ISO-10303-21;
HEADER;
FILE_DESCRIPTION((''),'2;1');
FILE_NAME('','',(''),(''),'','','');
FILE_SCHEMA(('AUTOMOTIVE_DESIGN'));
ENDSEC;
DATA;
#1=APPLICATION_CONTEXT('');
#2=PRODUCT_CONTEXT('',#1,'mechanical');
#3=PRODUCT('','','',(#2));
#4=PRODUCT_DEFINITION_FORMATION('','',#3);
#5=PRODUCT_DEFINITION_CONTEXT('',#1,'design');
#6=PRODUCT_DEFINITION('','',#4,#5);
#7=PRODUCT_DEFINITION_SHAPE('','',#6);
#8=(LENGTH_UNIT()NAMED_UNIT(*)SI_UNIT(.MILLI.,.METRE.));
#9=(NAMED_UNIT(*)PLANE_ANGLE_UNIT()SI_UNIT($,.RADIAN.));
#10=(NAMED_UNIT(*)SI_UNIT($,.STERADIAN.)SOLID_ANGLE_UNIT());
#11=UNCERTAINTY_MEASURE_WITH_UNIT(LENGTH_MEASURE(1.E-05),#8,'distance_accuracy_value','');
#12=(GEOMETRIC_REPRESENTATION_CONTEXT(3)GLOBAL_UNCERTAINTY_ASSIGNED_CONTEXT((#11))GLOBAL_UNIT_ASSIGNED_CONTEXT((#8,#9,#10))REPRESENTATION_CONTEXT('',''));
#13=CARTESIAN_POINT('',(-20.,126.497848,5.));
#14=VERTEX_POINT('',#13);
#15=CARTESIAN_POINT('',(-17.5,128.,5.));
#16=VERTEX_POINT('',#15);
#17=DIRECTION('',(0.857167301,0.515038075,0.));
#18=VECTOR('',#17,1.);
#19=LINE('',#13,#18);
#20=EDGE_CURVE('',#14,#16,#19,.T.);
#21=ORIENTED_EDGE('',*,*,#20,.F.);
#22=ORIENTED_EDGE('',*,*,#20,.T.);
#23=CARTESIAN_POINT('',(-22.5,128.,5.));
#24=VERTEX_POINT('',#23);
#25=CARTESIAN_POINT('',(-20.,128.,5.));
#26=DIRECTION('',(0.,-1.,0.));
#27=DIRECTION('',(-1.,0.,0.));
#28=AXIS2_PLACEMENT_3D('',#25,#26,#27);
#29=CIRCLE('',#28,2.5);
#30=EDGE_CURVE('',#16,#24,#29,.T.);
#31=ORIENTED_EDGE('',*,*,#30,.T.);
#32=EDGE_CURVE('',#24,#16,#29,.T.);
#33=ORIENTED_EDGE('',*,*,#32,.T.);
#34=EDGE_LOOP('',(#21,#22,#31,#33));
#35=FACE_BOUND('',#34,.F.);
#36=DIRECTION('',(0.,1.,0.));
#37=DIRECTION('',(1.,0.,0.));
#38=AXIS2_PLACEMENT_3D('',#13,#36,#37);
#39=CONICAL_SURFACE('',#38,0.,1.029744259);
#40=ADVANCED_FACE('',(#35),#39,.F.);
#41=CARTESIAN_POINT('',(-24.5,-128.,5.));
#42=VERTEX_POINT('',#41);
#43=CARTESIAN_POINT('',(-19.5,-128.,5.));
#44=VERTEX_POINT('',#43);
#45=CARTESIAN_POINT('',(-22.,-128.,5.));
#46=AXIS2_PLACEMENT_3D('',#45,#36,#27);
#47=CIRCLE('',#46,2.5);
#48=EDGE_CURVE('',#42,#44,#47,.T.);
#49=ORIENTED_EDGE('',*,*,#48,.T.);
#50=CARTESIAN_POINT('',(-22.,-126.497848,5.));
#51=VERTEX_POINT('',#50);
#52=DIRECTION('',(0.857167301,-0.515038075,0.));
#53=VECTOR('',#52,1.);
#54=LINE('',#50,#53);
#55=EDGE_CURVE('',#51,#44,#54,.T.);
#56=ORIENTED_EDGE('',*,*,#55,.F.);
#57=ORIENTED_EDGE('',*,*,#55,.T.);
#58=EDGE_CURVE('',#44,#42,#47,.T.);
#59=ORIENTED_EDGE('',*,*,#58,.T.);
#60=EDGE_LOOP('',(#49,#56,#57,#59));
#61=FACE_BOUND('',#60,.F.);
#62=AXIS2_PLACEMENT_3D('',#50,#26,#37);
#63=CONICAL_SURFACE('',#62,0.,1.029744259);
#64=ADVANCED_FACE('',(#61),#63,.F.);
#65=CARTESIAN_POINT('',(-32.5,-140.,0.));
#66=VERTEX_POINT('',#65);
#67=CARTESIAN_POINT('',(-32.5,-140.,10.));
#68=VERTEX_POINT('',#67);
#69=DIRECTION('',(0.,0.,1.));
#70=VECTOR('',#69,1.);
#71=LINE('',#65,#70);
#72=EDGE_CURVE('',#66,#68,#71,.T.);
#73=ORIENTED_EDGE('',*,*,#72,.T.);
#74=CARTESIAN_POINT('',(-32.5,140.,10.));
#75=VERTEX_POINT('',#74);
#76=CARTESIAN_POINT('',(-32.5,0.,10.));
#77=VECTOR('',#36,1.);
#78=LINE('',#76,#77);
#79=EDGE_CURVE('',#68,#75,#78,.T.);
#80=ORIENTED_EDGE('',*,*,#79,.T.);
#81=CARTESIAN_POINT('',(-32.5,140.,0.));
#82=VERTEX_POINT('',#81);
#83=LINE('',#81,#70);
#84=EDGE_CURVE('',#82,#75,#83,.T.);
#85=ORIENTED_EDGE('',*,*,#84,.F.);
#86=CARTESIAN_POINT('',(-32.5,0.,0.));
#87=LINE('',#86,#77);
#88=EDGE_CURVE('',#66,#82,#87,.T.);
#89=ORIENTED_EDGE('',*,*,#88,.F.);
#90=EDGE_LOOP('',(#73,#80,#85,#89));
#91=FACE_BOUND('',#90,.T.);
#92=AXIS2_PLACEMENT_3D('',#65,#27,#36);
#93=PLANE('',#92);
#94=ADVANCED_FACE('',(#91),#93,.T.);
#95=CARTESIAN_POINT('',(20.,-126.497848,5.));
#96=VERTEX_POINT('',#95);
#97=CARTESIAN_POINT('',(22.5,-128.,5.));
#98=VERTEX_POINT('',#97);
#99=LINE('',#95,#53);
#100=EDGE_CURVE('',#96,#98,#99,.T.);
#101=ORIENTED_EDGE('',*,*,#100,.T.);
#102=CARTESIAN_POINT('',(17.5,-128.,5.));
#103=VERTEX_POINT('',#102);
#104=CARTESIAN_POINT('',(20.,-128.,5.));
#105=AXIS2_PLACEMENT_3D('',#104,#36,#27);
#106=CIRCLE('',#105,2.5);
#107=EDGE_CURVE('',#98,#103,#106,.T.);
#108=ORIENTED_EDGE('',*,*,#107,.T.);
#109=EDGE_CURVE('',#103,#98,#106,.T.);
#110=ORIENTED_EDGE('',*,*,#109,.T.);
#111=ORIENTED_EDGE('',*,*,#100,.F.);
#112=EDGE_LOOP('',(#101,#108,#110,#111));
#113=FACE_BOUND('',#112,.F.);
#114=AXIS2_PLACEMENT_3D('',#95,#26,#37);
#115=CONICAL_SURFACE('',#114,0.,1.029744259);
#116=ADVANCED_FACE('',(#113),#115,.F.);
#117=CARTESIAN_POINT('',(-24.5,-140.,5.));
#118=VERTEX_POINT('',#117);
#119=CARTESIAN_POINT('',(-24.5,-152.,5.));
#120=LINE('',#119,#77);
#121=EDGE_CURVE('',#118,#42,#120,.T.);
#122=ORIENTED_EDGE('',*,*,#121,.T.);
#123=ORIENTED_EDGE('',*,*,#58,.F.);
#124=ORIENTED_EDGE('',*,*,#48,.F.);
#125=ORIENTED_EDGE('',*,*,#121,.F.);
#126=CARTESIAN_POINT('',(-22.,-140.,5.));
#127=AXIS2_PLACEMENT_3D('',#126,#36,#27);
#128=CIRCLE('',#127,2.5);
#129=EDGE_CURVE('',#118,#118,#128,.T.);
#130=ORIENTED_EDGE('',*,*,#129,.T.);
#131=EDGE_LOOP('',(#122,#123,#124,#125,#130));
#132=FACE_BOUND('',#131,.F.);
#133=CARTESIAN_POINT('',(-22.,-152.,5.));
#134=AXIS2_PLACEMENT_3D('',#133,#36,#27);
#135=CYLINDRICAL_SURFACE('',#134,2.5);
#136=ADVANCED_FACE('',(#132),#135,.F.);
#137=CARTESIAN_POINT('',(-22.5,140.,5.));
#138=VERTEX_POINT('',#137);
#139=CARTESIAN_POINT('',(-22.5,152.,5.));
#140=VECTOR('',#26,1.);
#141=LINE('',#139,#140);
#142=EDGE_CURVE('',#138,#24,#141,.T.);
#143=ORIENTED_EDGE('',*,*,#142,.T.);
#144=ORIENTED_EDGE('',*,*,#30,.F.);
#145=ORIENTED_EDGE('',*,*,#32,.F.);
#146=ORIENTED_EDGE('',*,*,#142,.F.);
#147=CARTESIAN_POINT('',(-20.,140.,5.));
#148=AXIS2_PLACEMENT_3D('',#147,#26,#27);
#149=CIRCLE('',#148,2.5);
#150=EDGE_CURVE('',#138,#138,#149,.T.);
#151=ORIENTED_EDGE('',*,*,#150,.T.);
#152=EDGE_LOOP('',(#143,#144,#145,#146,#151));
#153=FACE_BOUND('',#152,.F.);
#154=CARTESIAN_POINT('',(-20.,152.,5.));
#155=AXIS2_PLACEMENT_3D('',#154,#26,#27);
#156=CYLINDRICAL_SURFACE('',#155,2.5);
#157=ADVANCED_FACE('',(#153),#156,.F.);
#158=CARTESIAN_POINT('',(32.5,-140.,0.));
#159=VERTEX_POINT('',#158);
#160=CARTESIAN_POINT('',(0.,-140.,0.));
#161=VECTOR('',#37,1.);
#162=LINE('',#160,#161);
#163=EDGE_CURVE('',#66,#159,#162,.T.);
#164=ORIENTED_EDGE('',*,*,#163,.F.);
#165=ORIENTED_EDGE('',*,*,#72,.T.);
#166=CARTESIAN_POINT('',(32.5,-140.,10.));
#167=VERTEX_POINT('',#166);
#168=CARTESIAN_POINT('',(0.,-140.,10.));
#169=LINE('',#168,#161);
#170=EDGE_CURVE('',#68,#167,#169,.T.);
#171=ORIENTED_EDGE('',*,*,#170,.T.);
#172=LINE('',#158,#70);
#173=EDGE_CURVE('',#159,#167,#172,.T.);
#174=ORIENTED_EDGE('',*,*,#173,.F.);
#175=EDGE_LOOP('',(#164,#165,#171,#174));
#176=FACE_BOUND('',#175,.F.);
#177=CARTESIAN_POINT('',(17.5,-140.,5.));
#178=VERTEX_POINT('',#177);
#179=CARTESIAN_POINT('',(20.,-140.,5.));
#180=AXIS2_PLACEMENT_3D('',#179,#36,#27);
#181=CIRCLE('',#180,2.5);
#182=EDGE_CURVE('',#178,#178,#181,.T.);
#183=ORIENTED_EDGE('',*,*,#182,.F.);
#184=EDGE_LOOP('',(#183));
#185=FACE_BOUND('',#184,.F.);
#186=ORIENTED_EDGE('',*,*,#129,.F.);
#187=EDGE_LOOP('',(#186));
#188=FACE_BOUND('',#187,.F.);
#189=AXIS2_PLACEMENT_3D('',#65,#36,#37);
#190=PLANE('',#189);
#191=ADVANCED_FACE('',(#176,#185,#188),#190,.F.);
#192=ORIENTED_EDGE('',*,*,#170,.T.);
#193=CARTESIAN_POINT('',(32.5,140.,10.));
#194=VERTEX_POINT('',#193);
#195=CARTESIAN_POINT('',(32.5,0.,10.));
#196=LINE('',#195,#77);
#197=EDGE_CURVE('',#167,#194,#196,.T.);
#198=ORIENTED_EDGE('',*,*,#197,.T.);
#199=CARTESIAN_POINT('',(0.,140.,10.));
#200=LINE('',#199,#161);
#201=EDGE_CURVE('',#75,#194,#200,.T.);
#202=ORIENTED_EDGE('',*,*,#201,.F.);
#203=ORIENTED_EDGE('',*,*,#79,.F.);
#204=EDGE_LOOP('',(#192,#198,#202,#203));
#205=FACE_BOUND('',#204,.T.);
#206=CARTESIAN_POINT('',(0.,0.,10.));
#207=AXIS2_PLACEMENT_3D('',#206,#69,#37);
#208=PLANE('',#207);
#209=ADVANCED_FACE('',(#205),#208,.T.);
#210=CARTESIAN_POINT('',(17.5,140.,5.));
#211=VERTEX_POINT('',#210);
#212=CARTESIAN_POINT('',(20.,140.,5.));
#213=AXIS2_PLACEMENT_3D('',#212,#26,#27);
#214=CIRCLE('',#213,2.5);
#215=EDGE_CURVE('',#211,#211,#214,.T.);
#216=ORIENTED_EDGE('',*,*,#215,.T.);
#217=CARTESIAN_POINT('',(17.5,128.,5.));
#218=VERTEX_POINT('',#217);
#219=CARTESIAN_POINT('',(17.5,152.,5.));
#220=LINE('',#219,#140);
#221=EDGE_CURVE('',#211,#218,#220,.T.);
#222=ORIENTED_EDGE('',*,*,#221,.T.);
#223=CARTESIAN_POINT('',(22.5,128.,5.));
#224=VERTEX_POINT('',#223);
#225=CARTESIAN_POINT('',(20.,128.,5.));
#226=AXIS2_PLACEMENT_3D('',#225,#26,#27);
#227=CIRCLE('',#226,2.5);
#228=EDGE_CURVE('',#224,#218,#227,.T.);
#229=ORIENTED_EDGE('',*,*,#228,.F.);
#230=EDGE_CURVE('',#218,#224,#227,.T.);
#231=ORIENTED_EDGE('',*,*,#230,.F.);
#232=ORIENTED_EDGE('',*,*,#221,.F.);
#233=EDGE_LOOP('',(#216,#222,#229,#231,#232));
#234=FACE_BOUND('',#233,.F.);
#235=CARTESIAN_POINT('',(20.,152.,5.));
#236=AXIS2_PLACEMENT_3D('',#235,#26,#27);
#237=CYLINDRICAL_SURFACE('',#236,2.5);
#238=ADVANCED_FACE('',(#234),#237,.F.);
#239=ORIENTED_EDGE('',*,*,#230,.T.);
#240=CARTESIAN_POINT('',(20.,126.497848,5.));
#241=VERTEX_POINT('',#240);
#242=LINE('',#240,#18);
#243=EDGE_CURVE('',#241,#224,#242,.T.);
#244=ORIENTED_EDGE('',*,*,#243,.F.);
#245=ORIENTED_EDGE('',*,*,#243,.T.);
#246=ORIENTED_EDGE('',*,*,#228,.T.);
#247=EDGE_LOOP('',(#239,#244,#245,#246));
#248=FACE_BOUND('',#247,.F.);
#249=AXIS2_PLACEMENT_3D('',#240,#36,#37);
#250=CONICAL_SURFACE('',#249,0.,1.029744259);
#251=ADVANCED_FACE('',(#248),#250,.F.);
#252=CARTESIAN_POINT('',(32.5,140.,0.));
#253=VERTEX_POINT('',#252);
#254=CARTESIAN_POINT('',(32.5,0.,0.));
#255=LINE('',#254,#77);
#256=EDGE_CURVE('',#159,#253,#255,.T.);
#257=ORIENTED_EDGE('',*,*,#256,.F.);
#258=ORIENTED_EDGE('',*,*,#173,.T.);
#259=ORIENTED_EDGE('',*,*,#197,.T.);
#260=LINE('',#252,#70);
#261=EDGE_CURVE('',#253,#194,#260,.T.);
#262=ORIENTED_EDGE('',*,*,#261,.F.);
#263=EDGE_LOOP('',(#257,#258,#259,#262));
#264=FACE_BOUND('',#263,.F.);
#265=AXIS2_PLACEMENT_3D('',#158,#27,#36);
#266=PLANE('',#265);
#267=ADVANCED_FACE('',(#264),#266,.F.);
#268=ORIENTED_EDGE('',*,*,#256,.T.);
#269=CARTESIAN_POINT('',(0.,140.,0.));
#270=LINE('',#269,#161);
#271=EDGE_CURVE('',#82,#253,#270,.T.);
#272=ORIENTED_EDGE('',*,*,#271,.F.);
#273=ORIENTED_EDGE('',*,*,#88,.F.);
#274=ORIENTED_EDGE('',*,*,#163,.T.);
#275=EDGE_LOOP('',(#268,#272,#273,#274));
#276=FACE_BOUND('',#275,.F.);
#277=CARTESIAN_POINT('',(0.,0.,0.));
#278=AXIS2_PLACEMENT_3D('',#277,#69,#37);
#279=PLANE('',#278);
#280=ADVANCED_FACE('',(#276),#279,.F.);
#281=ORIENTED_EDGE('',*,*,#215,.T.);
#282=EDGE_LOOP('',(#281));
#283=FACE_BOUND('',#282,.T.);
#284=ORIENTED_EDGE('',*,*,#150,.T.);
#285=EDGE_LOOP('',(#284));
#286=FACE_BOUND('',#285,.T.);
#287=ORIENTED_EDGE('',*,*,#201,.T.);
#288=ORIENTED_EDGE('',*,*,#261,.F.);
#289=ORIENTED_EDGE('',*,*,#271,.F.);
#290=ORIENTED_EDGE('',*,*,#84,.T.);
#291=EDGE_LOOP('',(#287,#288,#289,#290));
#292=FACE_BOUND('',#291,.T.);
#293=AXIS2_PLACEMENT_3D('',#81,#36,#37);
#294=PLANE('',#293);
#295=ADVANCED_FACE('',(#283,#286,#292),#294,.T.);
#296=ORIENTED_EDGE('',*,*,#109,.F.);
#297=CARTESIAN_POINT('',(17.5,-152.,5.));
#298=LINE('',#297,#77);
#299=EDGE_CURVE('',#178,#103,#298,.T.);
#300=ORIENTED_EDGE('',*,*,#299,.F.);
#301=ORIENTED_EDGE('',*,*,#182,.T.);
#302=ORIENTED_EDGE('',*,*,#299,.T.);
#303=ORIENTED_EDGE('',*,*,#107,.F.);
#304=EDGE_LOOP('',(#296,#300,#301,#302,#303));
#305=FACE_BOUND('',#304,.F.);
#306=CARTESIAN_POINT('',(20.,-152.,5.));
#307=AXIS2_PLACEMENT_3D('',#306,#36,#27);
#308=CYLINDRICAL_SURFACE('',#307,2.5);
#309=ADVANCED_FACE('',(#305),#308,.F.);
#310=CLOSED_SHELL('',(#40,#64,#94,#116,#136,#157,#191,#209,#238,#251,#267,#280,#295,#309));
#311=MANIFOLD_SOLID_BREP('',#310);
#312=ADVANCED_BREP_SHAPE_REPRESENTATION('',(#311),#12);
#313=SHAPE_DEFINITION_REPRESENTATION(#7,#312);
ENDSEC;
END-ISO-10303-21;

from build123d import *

# Parameters (mm, degrees)
F0_W     = 65
F0_H     = 280
F1_DEPTH = 10
F4_D     = 5
F4_DEPTH = 12
F4_TIP   = 1.5021515476
F7_D     = 5
F7_DEPTH = 12
F7_TIP   = 1.5021515476


with BuildPart() as f1:
    # F0 (on Top) → F1 (new body)
    with BuildSketch(Plane.XY):
        Rectangle(F0_W, F0_H)
    extrude(amount=F1_DEPTH)

    # F4
    with Locations(Plane.XZ.offset(140)):
        with Locations((-22, 5), (20, 5)):
            Hole(F4_D / 2, depth=F4_DEPTH)
            with Locations((0, 0, -(F4_DEPTH + F4_TIP / 2))):  # 118° drill point
                Cone(0, F4_D / 2, F4_TIP, mode=Mode.SUBTRACT)

    # F7
    with Locations(Plane(origin=(0, 140, 0), x_dir=(1, 0, 0), z_dir=(0, 1, 0))):
        with Locations((-20, -5), (20, -5)):
            Hole(F7_D / 2, depth=F7_DEPTH)
            with Locations((0, 0, -(F7_DEPTH + F7_TIP / 2))):  # 118° drill point
                Cone(0, F7_D / 2, F7_TIP, mode=Mode.SUBTRACT)


solid = f1.part
